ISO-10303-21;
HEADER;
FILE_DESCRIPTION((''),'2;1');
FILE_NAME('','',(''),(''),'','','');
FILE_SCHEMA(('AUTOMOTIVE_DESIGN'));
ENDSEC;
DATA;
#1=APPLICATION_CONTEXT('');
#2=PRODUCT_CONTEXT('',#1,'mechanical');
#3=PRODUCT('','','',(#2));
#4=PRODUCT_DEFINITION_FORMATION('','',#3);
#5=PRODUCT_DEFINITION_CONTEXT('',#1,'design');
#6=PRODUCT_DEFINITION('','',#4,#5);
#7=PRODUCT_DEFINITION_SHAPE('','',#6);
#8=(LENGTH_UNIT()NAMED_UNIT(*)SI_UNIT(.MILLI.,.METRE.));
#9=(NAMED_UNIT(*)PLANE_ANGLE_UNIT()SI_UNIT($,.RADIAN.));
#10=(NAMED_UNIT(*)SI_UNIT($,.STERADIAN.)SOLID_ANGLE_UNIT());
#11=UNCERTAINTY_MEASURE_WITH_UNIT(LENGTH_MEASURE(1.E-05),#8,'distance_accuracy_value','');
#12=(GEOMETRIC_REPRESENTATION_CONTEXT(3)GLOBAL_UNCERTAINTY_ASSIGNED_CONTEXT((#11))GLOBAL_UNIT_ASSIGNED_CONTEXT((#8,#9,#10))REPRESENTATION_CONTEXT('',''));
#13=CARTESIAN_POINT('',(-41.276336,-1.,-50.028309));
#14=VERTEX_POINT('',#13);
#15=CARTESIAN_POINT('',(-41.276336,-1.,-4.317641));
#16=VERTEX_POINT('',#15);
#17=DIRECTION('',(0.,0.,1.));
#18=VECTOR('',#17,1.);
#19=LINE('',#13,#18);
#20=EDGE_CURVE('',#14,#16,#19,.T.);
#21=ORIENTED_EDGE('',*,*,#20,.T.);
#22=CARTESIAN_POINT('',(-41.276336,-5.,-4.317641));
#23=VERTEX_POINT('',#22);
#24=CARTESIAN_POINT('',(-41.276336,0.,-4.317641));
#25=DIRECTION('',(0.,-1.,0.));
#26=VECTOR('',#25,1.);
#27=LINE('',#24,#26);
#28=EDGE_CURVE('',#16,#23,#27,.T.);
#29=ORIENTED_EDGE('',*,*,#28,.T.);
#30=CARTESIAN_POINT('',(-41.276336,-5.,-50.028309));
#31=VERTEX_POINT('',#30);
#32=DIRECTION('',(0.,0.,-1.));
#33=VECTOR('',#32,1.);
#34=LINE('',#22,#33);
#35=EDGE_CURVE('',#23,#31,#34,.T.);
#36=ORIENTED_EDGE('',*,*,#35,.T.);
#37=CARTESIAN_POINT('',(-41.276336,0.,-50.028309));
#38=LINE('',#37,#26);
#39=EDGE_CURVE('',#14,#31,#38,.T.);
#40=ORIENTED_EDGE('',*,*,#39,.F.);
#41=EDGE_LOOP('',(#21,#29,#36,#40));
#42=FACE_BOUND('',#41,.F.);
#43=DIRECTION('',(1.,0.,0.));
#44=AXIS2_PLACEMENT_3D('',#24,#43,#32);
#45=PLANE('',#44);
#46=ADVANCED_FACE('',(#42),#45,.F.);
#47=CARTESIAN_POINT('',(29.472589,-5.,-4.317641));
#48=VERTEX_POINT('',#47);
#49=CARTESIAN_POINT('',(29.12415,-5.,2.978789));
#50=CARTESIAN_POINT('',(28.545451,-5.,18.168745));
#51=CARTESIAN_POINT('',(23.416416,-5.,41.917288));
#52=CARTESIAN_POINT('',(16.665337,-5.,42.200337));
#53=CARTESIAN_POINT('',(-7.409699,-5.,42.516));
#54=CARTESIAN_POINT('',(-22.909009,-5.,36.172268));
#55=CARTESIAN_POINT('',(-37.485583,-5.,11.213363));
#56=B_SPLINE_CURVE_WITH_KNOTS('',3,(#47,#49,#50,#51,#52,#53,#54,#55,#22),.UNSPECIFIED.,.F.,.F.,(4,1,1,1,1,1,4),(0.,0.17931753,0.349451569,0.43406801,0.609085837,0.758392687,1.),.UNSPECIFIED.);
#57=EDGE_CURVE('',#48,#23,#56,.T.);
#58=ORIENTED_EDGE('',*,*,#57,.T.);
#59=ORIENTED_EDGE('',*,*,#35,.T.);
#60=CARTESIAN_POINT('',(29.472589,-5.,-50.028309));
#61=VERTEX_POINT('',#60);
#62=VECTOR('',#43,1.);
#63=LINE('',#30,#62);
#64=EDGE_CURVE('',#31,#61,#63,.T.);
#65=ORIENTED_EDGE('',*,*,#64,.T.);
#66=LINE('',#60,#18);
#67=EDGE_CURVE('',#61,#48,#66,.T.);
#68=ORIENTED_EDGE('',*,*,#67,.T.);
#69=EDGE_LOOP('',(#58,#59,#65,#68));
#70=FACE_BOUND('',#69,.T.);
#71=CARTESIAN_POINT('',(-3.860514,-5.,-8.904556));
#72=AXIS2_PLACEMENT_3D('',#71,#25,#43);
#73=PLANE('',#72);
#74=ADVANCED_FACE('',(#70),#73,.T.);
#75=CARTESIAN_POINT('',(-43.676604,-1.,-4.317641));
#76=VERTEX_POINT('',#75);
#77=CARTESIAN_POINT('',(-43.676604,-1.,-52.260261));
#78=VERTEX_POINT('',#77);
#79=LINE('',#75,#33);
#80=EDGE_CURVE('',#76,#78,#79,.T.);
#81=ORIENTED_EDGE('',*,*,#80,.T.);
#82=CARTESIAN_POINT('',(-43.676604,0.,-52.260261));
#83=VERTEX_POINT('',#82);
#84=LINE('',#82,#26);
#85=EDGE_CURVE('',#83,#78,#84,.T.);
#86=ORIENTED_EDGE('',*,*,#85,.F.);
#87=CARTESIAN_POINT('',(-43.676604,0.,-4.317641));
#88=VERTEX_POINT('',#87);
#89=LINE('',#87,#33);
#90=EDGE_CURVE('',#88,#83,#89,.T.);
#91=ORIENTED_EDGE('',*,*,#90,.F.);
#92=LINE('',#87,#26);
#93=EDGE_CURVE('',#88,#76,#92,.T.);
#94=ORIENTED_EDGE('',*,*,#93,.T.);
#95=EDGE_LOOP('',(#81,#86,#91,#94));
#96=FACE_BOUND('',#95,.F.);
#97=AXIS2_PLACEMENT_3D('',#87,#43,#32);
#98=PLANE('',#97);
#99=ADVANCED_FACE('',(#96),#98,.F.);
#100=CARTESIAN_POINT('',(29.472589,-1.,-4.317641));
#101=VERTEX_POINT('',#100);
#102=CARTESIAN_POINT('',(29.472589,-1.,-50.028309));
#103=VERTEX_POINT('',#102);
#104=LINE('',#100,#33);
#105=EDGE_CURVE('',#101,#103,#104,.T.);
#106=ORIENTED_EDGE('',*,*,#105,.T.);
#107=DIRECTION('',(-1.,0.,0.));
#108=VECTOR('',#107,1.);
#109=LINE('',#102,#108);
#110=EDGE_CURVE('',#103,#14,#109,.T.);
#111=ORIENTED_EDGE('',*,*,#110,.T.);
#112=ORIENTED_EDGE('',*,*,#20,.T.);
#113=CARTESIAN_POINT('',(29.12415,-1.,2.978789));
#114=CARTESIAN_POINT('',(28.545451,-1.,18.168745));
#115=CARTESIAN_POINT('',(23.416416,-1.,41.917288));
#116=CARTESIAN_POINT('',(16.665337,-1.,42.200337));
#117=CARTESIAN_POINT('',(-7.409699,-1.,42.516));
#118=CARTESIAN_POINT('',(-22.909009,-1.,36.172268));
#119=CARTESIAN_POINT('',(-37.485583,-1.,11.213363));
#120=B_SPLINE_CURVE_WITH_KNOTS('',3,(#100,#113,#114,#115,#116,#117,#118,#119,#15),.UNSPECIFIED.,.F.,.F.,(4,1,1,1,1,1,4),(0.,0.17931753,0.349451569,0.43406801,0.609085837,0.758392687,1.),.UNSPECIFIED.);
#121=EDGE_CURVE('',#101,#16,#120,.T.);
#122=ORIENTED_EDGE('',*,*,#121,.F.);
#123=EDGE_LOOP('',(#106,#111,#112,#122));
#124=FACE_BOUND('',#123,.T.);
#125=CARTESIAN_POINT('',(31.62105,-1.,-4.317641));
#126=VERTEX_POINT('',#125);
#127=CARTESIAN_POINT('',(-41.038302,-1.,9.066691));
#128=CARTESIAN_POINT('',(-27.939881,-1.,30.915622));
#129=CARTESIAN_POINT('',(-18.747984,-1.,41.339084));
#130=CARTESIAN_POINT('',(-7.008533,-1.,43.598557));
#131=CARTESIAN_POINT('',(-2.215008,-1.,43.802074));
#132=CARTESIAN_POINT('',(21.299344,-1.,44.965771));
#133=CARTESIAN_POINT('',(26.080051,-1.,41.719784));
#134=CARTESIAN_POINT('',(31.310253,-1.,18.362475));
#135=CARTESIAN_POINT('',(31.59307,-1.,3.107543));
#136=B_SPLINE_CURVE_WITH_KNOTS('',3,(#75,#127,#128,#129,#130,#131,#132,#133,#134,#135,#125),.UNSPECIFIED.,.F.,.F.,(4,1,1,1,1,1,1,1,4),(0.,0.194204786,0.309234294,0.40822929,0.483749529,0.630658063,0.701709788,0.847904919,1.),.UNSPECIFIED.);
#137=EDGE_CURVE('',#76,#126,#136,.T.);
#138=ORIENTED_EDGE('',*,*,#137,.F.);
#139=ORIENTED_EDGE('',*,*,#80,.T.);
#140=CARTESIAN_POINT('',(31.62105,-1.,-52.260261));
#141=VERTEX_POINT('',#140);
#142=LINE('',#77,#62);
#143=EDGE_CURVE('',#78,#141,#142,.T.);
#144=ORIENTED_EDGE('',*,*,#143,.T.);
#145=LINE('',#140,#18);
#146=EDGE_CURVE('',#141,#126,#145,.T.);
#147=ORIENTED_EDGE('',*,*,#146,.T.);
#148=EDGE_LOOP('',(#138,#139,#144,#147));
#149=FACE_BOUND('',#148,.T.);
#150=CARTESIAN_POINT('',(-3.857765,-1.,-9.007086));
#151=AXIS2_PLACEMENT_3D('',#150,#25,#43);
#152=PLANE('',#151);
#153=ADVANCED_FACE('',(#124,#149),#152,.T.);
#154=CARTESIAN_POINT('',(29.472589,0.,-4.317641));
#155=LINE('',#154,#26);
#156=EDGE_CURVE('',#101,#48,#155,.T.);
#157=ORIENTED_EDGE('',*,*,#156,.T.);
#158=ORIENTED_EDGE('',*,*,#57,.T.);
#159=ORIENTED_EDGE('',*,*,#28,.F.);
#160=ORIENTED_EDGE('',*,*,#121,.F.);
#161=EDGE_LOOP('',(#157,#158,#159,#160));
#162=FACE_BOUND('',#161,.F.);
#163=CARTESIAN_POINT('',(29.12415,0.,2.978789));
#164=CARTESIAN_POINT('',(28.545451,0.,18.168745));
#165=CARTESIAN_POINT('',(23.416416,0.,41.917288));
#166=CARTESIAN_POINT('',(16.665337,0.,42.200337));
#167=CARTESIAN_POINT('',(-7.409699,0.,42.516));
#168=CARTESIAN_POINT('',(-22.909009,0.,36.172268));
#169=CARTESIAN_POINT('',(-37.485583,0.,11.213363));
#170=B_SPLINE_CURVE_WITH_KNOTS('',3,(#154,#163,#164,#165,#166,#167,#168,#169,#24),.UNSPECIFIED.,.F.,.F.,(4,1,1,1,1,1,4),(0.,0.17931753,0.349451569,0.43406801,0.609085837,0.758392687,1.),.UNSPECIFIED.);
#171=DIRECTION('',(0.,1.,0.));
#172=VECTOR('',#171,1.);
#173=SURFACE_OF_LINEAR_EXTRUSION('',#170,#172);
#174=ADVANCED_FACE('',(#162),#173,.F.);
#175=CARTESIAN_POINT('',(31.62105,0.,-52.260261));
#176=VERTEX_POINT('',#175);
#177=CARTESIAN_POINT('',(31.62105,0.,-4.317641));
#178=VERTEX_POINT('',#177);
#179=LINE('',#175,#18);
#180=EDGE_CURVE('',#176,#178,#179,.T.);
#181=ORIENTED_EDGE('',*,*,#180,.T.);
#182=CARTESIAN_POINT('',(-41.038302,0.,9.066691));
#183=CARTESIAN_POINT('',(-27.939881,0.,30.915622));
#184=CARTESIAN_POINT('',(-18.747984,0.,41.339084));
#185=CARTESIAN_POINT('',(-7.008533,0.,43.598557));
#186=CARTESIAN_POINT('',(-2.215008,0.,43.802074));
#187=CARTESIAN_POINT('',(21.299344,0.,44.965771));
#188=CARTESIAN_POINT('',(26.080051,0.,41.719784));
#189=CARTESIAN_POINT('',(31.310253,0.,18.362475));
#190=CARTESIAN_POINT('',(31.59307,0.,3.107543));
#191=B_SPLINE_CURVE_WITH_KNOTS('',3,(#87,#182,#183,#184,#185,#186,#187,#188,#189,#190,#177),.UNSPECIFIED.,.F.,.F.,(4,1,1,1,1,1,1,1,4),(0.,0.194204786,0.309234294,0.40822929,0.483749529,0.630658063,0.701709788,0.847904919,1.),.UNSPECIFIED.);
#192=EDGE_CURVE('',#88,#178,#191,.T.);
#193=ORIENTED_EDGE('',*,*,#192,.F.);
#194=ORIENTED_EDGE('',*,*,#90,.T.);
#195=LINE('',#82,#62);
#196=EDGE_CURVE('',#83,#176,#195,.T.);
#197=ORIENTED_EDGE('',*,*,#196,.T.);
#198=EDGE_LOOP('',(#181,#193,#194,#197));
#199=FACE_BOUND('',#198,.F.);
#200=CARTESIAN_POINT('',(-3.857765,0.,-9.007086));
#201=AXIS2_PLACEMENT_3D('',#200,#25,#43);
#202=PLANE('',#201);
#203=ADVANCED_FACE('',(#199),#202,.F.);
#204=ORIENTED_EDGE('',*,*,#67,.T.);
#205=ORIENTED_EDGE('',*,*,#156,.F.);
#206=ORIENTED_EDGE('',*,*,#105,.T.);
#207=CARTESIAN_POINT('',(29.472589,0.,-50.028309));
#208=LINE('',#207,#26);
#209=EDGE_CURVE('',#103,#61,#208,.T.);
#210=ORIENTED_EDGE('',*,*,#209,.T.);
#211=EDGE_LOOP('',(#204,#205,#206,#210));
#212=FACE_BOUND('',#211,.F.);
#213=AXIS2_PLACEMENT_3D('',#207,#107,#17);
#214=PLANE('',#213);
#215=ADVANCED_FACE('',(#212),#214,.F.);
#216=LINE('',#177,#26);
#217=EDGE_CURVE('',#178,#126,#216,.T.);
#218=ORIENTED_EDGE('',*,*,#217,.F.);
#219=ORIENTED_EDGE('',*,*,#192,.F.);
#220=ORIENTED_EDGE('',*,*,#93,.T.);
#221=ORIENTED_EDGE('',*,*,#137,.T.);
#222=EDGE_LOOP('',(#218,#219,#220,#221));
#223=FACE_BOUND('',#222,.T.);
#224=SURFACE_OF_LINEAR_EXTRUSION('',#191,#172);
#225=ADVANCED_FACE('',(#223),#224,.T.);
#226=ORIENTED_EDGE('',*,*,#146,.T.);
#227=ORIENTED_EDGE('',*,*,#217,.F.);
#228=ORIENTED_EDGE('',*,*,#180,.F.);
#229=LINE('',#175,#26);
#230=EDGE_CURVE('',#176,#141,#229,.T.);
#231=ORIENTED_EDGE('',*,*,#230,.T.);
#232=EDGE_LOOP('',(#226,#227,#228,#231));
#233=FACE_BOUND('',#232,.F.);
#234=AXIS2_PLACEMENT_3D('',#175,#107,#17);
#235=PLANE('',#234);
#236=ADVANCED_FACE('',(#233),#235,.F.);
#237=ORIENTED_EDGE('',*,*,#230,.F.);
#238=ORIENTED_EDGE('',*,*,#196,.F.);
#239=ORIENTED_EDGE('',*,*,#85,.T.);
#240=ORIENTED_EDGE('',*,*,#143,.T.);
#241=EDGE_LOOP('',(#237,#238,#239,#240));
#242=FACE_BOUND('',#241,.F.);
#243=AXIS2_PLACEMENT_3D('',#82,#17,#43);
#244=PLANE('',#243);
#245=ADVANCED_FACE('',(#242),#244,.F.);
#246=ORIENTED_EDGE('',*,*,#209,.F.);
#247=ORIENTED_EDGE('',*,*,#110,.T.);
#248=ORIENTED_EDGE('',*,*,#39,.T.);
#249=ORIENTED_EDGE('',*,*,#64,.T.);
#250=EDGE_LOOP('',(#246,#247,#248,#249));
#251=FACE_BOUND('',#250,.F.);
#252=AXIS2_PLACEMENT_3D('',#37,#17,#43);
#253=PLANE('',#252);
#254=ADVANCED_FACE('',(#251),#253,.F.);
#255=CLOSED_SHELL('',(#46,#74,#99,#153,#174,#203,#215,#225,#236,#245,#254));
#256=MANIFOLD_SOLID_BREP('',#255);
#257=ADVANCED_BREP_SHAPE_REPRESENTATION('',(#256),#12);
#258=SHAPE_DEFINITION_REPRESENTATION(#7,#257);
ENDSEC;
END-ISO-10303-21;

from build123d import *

# Parameters (mm, degrees)
F1_DEPTH = 1
F2_DEPTH = 5


with BuildPart() as f1:
    # F0 (on Front) → F1 (new body)
    with BuildSketch(Plane.XZ):
        with BuildLine():
            Line((-43.6766035855, -4.3176412582), (-43.6766035855, -52.260261029))
            Line((-43.6766035855, -52.260261029), (31.6210500896, -52.260261029))
            Line((31.6210500896, -52.260261029), (31.6210500896, -4.3176412582))
            add(Edge.make_bspline(
                [(-43.6766035855, -4.3176412582), (-41.0383021138, 9.0666906176), (-27.9398807539, 30.9156219348), (-18.7479844266, 41.3390835094), (-7.0085331076, 43.5985571671), (-2.215007715, 43.8020735184), (21.2993443911, 44.9657713637), (26.0800513958, 41.7197839808), (31.3102526714, 18.3624746495), (31.5930695379, 3.1075431018), (31.6210500896, -4.3176412582)],
                knots=[0, 0, 0, 0, 0.1942047864, 0.3092342936, 0.40822929, 0.4837495286, 0.6306580628, 0.7017097882, 0.8479049191, 1, 1, 1, 1], degree=3))
        make_face()
        with BuildLine():
            Line((29.4725894928, -50.028309226), (-41.2763357162, -50.028309226))
            Line((-41.2763357162, -50.028309226), (-41.2763357162, -4.3176412582))
            add(Edge.make_bspline(
                [(29.4725894928, -4.3176412582), (29.1241496967, 2.9787885737), (28.5454511929, 18.1687452905), (23.4164160844, 41.9172876242), (16.665337298, 42.2003372333), (-7.4096989865, 42.5160002908), (-22.9090094529, 36.1722681351), (-37.4855825891, 11.2133633357), (-41.2763357162, -4.3176412582)],
                knots=[0, 0, 0, 0, 0.1793175303, 0.3494515687, 0.4340680096, 0.6090858367, 0.7583926872, 1, 1, 1, 1], degree=3))
            Line((29.4725894928, -4.3176412582), (29.4725894928, -50.028309226))
        make_face(mode=Mode.SUBTRACT)
    extrude(amount=F1_DEPTH)

    # F0 (on Front) → F2 (join)
    with BuildSketch(Plane.XZ):
        with BuildLine():
            Line((-41.2763357162, -4.3176412582), (-41.2763357162, -50.028309226))
            Line((-41.2763357162, -50.028309226), (29.4725894928, -50.028309226))
            Line((29.4725894928, -50.028309226), (29.4725894928, -4.3176412582))
            add(Edge.make_bspline(
                [(29.4725894928, -4.3176412582), (29.1241496967, 2.9787885737), (28.5454511929, 18.1687452905), (23.4164160844, 41.9172876242), (16.665337298, 42.2003372333), (-7.4096989865, 42.5160002908), (-22.9090094529, 36.1722681351), (-37.4855825891, 11.2133633357), (-41.2763357162, -4.3176412582)],
                knots=[0, 0, 0, 0, 0.1793175303, 0.3494515687, 0.4340680096, 0.6090858367, 0.7583926872, 1, 1, 1, 1], degree=3))
        make_face()
    extrude(amount=F2_DEPTH)


solid = f1.part
